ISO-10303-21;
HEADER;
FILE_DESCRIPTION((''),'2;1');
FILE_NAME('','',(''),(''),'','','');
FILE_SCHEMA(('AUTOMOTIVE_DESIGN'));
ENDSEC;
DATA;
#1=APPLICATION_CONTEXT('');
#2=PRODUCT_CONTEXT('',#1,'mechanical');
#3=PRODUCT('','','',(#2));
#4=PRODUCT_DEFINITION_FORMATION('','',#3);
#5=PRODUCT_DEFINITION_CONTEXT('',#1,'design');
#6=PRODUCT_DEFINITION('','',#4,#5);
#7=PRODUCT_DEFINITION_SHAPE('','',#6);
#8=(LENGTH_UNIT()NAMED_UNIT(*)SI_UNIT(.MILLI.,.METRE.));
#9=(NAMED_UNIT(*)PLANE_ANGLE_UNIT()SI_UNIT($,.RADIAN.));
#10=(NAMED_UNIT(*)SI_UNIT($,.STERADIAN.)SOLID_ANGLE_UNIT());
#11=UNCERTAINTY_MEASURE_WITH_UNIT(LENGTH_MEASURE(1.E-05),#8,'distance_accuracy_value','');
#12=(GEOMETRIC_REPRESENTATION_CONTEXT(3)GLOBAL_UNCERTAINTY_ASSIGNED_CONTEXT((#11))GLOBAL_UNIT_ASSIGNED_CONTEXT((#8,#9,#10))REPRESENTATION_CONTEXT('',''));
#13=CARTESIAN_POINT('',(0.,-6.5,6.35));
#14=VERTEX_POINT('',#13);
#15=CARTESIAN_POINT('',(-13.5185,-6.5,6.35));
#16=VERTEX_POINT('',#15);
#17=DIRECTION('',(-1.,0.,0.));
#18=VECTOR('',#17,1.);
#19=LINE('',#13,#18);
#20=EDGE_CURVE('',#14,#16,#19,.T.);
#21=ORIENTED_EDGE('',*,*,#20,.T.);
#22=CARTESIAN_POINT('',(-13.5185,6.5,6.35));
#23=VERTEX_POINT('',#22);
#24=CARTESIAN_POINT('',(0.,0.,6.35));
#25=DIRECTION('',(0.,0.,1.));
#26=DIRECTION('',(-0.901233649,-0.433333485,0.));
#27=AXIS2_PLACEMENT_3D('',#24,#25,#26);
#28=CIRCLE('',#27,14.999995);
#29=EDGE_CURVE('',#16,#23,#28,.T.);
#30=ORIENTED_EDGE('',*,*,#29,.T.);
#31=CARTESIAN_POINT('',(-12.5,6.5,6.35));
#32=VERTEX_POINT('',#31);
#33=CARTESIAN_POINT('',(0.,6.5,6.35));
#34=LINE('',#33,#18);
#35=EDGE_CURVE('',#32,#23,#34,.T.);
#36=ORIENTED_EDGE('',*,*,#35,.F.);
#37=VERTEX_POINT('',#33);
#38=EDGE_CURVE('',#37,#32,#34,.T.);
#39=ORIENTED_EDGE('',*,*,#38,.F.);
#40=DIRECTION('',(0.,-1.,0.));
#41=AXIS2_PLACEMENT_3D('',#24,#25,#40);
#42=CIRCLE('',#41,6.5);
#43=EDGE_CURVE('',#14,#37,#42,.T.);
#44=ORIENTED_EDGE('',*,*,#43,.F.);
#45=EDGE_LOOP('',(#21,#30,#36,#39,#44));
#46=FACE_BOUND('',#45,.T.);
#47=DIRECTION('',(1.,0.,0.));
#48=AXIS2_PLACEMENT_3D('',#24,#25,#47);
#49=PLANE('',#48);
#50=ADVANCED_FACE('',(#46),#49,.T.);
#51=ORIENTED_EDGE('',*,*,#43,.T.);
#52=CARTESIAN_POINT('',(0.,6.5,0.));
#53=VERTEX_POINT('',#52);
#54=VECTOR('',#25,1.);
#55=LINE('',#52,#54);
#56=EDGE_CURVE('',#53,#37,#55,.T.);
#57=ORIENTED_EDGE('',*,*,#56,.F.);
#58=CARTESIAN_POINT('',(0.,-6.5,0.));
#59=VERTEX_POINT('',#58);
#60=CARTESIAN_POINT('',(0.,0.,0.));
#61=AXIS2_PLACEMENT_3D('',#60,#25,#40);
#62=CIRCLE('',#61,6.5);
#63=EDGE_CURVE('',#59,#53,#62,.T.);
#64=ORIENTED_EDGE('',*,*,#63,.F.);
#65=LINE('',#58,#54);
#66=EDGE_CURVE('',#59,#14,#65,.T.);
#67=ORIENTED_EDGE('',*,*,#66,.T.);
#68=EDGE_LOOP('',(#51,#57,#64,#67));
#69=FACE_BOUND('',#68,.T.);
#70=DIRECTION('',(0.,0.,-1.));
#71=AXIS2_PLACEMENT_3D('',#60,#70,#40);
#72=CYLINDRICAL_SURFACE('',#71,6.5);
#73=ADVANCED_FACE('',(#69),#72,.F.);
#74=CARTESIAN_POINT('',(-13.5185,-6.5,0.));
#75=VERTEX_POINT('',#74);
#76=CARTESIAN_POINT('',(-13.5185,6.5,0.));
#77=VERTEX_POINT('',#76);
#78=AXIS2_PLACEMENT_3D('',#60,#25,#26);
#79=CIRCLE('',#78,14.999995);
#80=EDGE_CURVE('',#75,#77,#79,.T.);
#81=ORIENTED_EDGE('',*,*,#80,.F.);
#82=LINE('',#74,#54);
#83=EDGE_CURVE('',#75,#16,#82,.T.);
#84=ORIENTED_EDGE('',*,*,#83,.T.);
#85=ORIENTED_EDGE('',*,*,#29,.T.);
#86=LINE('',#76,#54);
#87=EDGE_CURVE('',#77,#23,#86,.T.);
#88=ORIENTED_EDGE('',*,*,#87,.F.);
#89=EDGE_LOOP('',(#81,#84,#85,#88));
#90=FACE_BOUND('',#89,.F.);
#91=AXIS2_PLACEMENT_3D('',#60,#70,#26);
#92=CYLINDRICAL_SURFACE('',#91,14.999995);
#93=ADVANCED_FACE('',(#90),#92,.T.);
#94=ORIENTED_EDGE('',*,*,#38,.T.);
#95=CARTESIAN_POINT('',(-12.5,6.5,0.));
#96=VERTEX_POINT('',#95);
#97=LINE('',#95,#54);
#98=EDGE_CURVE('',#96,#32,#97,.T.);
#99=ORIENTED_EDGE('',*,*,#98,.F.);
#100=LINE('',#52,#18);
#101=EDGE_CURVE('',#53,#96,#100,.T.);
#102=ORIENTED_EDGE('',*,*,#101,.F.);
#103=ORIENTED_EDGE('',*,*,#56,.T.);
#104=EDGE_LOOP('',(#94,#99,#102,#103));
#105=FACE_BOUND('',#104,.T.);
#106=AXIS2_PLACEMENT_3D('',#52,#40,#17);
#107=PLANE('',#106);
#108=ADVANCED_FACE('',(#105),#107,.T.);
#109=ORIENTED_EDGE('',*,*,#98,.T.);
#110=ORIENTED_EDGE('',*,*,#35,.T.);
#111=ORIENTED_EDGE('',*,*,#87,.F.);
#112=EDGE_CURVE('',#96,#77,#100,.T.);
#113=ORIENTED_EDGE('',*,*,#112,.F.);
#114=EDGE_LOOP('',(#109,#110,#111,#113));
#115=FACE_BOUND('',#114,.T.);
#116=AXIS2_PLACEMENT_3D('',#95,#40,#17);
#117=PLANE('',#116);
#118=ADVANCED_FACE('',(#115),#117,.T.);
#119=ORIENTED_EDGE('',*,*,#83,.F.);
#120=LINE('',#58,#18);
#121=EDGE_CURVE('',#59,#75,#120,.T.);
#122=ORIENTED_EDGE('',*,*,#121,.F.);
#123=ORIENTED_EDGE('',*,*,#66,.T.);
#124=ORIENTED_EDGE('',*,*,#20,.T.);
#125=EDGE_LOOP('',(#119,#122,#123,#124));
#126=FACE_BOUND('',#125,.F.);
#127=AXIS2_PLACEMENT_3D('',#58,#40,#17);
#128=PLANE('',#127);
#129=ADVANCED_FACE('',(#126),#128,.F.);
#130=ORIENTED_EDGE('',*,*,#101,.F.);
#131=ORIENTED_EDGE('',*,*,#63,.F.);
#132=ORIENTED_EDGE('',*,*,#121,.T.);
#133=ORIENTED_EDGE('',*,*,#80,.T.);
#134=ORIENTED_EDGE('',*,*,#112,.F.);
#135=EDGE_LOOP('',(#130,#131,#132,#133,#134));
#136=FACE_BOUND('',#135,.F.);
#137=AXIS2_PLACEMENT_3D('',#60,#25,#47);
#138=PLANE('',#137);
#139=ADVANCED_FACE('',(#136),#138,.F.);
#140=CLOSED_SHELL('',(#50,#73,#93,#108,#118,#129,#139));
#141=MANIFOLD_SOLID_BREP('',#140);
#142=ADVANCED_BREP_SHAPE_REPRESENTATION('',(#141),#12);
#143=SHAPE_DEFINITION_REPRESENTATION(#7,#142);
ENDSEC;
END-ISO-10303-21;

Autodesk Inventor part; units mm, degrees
ref_plane "YZ Plane" through (0, 0, 0) normal (1, 0, 0) x (0, 1, 0)
ref_plane "XZ Plane" through (0, 0, 0) normal (0, 1, 0) x (-1, 0, 0)
ref_plane "XY Plane" through (0, 0, 0) normal (0, 0, 1) x (1, 0, 0)
sketch "Sketch1" plane through (0, 0, 0) normal (0, 0, 1) x (1, 0, 0)
  arc A0 (-13.5185, -6.5) -> (-13.5185, 6.5) centre (0, 0) ccw
  arc A1 (0, -6.5) -> (0, 6.5) centre (0, 0) ccw
  line L0 (0, -6.5) -> (-13.5185, -6.5)
  line L1 (0, 6.5) -> (-13.5185, 6.5)
  line L2 (-13.5185, 6.5) -> (-12.5, 6.5)
  dimension "d0" = 30
  dimension "d1" = 13
extrude "Extrusion1" add sketch "Sketch1" along normal blind 6.35
sketch "Sketch2" plane through (0, 0, 0) normal (0, 0, -1) x (-1, 0, 0)
  point P0 (0, 0)
sketch "Sketch3" plane through (0, 0, 6.35) normal (0, 0, 1) x (1, 0, 0)
  point P0 (0, 0)
properties part number "reinforce"
